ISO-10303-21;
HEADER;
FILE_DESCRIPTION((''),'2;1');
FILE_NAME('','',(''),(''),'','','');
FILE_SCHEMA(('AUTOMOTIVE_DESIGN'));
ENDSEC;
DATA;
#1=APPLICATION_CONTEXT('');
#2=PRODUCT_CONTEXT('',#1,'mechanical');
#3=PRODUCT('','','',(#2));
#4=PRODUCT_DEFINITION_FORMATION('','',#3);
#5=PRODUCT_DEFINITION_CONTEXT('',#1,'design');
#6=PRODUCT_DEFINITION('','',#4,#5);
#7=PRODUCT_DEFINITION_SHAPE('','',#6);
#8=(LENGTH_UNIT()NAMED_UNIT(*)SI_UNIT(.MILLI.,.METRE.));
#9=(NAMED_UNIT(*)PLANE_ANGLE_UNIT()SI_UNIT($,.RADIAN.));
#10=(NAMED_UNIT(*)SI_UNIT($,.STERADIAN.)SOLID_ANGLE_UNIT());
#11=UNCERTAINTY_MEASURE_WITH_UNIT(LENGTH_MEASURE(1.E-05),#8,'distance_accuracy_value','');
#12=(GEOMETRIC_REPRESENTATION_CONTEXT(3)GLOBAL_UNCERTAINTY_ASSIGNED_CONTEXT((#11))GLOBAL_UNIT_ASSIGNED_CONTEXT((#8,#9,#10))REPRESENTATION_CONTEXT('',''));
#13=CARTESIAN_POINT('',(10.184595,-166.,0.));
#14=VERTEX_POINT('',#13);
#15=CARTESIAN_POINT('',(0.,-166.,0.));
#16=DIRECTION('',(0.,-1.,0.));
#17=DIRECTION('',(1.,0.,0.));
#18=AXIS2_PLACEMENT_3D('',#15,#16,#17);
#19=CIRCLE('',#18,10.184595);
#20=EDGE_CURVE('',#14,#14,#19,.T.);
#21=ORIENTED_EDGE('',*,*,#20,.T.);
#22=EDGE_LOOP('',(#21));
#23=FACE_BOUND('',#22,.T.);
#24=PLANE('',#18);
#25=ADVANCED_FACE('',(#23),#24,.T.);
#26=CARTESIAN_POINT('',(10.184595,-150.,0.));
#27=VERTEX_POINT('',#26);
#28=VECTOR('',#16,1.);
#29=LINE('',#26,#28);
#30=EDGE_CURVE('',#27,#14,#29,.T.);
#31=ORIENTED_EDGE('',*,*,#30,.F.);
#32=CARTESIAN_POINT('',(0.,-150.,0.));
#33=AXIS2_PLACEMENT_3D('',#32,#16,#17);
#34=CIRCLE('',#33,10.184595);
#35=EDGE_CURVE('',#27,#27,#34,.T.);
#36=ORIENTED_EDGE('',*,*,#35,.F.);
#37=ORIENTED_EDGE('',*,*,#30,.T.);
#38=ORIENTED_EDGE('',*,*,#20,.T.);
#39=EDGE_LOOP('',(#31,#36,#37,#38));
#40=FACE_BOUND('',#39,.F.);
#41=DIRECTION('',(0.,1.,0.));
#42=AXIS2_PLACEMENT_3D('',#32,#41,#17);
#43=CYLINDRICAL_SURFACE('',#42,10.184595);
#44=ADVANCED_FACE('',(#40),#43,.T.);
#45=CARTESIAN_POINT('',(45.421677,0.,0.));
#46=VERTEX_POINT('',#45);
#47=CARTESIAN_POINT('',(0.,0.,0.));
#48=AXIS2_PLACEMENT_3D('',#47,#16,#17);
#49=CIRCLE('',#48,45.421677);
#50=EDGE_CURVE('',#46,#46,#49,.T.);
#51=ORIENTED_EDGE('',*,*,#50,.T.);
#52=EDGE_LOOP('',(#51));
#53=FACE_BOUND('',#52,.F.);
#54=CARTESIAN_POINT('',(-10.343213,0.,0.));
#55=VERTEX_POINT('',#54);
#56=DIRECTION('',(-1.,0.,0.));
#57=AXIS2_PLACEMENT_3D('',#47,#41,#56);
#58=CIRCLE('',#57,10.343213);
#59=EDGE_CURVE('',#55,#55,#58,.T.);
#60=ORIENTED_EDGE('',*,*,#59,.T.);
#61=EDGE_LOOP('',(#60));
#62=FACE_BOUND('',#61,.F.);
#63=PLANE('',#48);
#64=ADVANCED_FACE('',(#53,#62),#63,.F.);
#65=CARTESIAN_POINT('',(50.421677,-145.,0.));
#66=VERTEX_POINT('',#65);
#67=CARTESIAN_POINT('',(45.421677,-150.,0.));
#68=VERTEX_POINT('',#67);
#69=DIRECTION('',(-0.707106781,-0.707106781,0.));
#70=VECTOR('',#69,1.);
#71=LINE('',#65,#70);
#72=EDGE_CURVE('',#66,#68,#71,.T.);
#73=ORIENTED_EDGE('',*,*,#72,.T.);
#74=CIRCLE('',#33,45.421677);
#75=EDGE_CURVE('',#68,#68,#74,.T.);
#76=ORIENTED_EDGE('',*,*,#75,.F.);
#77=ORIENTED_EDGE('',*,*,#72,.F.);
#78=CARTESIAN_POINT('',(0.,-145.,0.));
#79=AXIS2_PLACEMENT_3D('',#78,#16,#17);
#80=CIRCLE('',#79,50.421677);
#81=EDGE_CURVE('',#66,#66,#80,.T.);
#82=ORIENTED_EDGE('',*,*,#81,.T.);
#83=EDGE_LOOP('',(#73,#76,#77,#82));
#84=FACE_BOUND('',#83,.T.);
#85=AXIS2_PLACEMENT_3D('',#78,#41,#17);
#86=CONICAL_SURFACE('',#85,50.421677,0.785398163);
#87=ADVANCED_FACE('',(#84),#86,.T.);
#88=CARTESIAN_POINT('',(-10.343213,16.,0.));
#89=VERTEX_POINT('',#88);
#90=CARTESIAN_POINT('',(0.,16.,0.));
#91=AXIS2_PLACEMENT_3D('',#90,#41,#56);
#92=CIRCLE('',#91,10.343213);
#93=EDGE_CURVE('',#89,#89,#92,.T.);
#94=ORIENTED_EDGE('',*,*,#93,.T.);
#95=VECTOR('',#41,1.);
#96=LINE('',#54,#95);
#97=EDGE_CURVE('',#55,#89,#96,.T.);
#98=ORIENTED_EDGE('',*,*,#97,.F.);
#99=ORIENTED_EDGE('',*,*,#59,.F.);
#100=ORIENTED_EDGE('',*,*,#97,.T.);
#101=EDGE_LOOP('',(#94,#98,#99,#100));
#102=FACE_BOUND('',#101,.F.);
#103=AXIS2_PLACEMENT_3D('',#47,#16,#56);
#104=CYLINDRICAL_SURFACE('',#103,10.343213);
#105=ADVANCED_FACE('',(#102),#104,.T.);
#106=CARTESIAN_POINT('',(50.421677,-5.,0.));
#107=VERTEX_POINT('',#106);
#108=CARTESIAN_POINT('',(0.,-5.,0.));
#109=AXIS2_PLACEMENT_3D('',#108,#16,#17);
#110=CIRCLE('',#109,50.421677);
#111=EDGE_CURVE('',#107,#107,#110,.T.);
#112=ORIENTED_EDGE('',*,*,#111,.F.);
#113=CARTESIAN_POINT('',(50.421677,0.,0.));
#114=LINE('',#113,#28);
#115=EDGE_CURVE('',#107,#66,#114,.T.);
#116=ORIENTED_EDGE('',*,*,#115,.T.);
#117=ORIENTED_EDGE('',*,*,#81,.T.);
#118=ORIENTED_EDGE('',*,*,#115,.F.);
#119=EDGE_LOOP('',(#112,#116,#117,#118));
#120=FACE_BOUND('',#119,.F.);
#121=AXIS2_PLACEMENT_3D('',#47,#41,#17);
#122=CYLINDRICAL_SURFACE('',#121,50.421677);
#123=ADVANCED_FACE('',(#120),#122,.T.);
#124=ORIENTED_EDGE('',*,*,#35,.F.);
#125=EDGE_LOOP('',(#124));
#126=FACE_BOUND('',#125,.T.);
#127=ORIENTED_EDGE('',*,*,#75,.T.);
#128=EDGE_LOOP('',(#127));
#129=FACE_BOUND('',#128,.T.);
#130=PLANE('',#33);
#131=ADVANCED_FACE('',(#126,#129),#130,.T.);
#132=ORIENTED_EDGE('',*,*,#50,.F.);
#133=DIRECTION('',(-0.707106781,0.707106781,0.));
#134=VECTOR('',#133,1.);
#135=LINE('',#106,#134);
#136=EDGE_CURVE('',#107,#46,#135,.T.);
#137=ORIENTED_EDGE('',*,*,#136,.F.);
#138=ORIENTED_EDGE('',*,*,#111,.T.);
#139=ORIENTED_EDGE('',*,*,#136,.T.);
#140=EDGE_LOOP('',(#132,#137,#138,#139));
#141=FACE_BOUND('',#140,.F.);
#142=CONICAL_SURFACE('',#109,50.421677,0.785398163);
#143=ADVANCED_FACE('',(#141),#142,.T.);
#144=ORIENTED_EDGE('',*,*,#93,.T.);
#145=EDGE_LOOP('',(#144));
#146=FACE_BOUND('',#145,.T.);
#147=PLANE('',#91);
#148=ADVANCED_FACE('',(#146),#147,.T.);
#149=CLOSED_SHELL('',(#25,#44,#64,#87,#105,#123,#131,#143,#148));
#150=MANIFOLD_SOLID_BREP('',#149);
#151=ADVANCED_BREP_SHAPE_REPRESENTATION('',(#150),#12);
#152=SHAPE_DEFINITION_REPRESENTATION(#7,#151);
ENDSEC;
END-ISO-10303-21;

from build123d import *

# Parameters (mm, degrees)
F0_R     = 50.421677
F1_DEPTH = 150
F2_SIZE  = 5
F3_R     = 10.184595
F4_DEPTH = 16
F5_SIZE  = 5
F6_R     = 10.343213
F7_DEPTH = 16


with BuildPart() as f1:
    # F0 (on Front) → F1 (new body)
    with BuildSketch(Plane.XZ):
        Circle(F0_R)
    extrude(amount=F1_DEPTH)

    # F2
    f2_edges = [f1.edges().sort_by_distance(p)[0] for p in [
        (-50.421677, -150, 0),
    ]]
    chamfer(f2_edges, length=F2_SIZE)

    # F3 (on face) → F4 (join)
    with BuildSketch(Plane.XZ.offset(150)):
        Circle(F3_R)
    extrude(amount=F4_DEPTH)

    # F5
    f5_edges = [f1.edges().sort_by_distance(p)[0] for p in [
        (-50.421677, 0, 0),
    ]]
    chamfer(f5_edges, length=F5_SIZE)

    # F6 (on face) → F7 (join)
    with BuildSketch(Plane(origin=(0, 0, 0), x_dir=(-1, 0, 0), z_dir=(0, 1, 0))):
        Circle(F6_R)
    extrude(amount=F7_DEPTH)


solid = f1.part
